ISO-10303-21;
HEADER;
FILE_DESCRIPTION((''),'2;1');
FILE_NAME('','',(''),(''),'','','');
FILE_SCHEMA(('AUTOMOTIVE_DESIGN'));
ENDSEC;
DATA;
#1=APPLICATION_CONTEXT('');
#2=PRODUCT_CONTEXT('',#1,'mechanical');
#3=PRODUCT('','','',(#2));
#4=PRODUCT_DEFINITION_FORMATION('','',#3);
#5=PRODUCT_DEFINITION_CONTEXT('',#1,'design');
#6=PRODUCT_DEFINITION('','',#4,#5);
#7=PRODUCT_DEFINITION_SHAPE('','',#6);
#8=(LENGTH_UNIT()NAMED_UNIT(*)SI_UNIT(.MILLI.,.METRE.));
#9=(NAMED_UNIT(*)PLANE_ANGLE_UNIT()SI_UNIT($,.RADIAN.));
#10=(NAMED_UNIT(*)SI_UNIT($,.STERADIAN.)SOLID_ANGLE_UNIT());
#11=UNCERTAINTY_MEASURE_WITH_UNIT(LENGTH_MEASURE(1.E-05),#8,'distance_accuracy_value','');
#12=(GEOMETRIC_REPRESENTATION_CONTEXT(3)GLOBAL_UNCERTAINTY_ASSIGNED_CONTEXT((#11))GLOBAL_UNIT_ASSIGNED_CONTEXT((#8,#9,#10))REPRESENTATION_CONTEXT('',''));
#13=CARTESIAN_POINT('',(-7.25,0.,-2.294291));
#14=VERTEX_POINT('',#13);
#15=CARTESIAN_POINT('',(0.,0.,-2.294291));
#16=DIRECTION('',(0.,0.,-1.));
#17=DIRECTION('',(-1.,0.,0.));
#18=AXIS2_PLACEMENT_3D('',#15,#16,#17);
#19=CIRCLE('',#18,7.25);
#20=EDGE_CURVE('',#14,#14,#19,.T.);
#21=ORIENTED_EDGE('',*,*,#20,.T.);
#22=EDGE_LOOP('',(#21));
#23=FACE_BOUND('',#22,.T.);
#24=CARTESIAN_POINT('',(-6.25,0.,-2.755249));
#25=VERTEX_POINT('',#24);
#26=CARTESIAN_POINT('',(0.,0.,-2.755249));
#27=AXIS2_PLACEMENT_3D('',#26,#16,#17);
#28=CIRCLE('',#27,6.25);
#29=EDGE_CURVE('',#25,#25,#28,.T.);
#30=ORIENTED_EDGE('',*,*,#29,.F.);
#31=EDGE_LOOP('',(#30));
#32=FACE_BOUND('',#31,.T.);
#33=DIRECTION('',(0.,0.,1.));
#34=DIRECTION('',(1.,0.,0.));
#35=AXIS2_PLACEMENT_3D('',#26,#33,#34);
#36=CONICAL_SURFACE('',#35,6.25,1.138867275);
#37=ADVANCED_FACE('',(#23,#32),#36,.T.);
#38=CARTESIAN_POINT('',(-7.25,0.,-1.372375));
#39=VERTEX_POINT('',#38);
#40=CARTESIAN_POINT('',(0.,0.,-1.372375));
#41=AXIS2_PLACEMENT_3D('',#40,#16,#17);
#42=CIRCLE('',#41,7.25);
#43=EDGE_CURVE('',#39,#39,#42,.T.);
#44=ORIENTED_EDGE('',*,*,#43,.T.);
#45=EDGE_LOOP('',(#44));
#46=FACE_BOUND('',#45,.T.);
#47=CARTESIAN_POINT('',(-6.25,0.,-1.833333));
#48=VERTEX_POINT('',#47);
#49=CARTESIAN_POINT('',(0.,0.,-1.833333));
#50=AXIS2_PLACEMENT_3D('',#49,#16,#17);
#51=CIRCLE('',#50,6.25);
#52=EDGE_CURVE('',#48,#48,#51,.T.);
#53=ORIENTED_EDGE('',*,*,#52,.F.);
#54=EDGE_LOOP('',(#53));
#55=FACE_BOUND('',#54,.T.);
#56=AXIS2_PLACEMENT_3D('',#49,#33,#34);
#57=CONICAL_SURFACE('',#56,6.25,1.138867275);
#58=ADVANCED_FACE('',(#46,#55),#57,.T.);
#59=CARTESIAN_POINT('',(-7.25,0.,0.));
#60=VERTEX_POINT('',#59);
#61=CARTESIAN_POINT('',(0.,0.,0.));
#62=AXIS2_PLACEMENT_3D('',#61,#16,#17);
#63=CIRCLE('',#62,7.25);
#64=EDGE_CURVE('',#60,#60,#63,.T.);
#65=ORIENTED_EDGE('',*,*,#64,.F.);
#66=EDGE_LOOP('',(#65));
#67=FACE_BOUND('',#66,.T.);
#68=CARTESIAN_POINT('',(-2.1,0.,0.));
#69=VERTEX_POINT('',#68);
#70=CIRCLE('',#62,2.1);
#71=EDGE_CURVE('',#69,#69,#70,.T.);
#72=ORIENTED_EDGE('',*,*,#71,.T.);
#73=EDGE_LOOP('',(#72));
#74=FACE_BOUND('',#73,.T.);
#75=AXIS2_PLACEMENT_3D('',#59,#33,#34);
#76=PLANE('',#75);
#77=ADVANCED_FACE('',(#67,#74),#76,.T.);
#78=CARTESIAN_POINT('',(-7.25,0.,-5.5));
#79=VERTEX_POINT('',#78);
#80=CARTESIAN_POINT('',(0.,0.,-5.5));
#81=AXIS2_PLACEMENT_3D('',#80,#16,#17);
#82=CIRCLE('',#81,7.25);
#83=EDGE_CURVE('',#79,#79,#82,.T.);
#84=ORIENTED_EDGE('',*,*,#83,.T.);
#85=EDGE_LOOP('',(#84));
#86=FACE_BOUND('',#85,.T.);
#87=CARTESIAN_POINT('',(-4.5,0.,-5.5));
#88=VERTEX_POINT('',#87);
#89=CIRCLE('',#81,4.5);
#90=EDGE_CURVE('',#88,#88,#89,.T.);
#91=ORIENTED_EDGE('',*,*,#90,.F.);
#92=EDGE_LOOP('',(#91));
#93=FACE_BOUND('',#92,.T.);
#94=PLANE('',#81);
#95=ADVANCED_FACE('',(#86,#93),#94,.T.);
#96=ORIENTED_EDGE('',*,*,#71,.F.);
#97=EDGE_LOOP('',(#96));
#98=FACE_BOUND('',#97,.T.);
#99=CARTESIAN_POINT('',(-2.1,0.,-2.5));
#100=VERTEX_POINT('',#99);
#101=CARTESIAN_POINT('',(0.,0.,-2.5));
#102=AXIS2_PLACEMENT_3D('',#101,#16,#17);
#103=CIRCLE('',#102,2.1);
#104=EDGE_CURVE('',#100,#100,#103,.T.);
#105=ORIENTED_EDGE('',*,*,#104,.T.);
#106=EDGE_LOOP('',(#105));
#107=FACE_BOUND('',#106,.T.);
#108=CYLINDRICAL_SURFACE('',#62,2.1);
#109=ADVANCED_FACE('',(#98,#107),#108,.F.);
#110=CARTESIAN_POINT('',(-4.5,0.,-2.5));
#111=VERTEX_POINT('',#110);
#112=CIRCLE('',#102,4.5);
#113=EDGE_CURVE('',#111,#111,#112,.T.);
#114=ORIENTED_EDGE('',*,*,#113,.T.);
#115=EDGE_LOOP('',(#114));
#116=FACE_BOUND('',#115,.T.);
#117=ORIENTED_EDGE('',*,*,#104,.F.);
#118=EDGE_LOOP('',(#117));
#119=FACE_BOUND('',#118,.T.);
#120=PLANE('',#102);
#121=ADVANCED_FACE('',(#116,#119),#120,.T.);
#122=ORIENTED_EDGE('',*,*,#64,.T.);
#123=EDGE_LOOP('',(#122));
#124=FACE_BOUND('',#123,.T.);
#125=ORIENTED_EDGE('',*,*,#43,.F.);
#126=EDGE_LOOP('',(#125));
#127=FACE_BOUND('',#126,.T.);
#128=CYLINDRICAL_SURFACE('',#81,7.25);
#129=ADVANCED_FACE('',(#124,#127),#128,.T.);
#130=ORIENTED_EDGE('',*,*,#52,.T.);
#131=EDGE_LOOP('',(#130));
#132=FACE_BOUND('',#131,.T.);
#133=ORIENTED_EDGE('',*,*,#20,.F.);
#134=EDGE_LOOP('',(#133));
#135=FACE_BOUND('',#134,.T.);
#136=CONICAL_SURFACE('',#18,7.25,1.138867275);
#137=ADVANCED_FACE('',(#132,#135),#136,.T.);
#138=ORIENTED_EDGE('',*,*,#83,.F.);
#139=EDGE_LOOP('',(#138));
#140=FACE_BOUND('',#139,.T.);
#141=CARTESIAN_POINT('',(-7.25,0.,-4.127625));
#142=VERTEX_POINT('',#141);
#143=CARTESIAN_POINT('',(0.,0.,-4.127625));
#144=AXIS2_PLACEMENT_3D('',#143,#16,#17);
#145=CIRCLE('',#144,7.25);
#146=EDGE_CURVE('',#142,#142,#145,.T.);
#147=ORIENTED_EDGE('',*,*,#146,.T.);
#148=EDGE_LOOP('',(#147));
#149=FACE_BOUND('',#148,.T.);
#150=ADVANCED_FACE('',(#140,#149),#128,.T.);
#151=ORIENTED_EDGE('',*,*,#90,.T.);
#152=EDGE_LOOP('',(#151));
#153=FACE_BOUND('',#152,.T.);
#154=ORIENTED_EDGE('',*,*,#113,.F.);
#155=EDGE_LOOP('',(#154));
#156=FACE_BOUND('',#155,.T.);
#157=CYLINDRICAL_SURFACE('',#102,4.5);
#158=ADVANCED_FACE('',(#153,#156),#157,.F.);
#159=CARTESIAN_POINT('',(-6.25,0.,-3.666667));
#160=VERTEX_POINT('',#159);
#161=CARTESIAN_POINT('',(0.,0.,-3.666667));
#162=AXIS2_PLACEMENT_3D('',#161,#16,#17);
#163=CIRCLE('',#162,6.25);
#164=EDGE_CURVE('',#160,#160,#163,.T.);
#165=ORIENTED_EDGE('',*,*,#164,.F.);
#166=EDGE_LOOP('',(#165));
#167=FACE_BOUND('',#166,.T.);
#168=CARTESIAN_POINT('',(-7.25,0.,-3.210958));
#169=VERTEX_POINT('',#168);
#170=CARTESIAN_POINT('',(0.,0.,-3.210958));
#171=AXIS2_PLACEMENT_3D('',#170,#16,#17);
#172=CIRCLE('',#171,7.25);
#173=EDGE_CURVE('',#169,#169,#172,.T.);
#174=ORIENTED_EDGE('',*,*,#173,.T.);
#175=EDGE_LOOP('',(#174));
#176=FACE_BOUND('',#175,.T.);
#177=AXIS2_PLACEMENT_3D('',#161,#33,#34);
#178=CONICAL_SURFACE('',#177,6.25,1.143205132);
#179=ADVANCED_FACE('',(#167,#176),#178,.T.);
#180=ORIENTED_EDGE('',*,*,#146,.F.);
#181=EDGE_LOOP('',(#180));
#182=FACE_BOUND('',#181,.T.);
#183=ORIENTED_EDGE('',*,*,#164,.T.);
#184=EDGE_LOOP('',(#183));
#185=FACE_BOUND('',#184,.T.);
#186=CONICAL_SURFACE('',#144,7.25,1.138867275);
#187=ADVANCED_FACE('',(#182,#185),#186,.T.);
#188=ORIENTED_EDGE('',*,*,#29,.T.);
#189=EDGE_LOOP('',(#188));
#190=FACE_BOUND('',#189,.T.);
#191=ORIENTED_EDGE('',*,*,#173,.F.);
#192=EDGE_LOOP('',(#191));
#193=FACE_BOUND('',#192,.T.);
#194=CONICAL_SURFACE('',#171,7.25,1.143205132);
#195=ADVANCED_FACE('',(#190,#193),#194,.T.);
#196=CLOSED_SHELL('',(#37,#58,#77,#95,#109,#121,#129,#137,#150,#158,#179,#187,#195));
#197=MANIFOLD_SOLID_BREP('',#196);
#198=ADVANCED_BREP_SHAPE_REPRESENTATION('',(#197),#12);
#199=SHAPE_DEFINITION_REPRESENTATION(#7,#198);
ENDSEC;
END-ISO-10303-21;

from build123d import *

# Parameters (mm, degrees)
SKETCH3_R          = 4.5
CUT_EXTRUDE1_DEPTH = 3
SKETCH4_R          = 2.1
CUT_EXTRUDE2_DEPTH = 11.68293031


with BuildPart() as part:
    # Sketch2 → Revolve1 (revolve)
    with BuildSketch(Plane(origin=(0, 0, 0), x_dir=(1, 0, 0), z_dir=(0, 1, 0))):
        Polygon((0, 5.5), (-7.25, 5.5), (-7.25, 4.127624556), (-6.25, 3.666666667), (-7.25, 3.210957889), (-6.25, 2.755249111), (-7.25, 2.294291222), (-6.25, 1.833333333), (-7.25, 1.372375444), (-7.25, 0), (0, 0), align=None)
    revolve(axis=Axis((0, 0, -5.5), (0, 0, 1)))

    # Sketch3 → Cut-Extrude1 (cut)
    with BuildSketch(Plane(origin=(0, 0, -5.5), x_dir=(-1, 0, 0), z_dir=(0, 0, -1))):
        Circle(SKETCH3_R)
    extrude(amount=-CUT_EXTRUDE1_DEPTH, mode=Mode.SUBTRACT)

    # Sketch4 → Cut-Extrude2 (cut, through all)
    with BuildSketch(Plane(origin=(0, 0, -2.5), x_dir=(-1, 0, 0), z_dir=(0, 0, -1))):
        Circle(SKETCH4_R)
    extrude(amount=-CUT_EXTRUDE2_DEPTH, mode=Mode.SUBTRACT)


solid = part.part
